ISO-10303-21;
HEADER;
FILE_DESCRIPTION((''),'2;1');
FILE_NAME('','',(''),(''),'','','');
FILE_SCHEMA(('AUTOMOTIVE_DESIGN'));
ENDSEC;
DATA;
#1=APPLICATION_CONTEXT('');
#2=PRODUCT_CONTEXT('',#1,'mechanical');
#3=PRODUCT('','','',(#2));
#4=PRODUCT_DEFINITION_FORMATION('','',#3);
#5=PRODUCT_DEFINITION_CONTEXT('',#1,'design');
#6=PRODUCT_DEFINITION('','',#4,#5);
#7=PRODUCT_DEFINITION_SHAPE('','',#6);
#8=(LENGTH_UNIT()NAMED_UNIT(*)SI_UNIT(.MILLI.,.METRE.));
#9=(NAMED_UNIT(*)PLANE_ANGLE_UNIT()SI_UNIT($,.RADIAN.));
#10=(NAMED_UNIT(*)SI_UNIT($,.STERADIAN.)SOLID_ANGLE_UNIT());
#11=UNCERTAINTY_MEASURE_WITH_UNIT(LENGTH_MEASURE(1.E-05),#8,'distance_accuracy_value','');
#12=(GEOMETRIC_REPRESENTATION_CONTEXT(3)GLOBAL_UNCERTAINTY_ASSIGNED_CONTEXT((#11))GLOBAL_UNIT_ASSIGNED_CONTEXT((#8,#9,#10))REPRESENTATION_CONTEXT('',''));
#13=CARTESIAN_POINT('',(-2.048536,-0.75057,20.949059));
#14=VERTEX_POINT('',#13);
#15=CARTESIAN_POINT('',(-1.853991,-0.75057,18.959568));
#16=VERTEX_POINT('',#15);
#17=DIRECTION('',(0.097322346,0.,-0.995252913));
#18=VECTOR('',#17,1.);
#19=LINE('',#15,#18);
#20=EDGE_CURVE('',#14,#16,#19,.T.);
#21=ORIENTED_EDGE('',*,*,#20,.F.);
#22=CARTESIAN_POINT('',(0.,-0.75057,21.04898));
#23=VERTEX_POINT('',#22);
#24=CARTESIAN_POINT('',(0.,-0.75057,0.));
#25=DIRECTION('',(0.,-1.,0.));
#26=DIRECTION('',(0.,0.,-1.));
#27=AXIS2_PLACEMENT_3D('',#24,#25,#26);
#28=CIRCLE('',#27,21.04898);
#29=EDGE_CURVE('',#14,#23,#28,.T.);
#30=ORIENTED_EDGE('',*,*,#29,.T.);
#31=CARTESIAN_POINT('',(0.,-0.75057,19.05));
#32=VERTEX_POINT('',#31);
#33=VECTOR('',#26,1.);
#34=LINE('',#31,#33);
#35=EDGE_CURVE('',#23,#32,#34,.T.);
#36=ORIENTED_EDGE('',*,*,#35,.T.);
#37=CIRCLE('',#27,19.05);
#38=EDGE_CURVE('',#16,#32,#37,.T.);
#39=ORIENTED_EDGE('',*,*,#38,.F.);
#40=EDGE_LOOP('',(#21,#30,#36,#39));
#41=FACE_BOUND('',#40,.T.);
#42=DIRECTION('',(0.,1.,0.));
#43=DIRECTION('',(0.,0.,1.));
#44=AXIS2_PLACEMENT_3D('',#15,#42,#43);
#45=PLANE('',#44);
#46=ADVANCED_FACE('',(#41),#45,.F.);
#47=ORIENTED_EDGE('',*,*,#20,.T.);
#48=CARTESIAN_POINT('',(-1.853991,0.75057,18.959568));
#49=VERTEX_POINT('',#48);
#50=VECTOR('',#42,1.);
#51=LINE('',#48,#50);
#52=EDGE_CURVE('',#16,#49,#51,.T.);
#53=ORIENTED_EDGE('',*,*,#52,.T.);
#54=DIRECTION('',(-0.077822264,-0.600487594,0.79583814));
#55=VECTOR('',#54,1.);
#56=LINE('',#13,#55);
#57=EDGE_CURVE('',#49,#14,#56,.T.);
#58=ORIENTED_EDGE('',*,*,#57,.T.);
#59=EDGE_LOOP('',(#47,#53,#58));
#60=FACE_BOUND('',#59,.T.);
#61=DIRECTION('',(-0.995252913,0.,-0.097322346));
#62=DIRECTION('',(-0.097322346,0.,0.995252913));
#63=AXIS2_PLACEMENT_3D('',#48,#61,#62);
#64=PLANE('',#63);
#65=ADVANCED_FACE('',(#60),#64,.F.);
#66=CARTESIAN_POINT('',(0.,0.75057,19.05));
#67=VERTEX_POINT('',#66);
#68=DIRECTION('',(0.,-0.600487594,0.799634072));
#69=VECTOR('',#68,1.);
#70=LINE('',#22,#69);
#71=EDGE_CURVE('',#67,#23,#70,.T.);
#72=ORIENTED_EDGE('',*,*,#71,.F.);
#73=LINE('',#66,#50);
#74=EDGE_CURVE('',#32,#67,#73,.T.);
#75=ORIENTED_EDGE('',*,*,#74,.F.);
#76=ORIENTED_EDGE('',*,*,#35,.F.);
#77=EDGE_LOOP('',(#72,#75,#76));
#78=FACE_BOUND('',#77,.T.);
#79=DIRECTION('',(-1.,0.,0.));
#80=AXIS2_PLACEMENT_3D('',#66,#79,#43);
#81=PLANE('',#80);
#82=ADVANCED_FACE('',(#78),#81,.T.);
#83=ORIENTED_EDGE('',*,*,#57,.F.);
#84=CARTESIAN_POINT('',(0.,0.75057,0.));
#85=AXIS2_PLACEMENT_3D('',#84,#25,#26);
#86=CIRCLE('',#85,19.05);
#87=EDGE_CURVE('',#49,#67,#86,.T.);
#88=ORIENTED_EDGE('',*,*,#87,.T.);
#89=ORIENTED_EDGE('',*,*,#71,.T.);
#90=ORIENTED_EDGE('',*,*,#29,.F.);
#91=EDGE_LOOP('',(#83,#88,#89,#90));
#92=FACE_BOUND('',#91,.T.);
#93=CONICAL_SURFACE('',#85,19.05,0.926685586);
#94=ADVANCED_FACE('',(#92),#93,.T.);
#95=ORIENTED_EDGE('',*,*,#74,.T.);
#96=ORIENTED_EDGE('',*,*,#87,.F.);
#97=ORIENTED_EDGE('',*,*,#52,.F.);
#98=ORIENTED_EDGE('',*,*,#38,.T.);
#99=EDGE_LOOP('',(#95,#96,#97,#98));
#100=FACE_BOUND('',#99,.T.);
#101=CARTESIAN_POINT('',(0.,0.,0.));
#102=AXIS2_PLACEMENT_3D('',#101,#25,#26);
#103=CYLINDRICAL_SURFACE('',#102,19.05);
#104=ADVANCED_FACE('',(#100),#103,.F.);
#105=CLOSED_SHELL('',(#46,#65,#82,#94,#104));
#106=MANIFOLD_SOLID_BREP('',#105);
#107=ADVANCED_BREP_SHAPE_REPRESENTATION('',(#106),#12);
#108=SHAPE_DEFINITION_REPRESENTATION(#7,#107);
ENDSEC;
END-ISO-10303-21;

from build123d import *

# Parameters (mm, degrees)
REVOLVE1_ANGLE = 354.415


with BuildPart() as part:
    # Sketch1 → Revolve1 (revolve)
    with BuildSketch(Plane(origin=(0, 0, 0), x_dir=(0, 0, -1), z_dir=(1, 0, 0))):
        Polygon((-19.05, 0.75057), (-19.05, -0.75057), (-21.04898, -0.75057), align=None)
    revolve(axis=Axis((0, 0, 0), (0, 1, 0)), revolution_arc=REVOLVE1_ANGLE)


solid = part.part
